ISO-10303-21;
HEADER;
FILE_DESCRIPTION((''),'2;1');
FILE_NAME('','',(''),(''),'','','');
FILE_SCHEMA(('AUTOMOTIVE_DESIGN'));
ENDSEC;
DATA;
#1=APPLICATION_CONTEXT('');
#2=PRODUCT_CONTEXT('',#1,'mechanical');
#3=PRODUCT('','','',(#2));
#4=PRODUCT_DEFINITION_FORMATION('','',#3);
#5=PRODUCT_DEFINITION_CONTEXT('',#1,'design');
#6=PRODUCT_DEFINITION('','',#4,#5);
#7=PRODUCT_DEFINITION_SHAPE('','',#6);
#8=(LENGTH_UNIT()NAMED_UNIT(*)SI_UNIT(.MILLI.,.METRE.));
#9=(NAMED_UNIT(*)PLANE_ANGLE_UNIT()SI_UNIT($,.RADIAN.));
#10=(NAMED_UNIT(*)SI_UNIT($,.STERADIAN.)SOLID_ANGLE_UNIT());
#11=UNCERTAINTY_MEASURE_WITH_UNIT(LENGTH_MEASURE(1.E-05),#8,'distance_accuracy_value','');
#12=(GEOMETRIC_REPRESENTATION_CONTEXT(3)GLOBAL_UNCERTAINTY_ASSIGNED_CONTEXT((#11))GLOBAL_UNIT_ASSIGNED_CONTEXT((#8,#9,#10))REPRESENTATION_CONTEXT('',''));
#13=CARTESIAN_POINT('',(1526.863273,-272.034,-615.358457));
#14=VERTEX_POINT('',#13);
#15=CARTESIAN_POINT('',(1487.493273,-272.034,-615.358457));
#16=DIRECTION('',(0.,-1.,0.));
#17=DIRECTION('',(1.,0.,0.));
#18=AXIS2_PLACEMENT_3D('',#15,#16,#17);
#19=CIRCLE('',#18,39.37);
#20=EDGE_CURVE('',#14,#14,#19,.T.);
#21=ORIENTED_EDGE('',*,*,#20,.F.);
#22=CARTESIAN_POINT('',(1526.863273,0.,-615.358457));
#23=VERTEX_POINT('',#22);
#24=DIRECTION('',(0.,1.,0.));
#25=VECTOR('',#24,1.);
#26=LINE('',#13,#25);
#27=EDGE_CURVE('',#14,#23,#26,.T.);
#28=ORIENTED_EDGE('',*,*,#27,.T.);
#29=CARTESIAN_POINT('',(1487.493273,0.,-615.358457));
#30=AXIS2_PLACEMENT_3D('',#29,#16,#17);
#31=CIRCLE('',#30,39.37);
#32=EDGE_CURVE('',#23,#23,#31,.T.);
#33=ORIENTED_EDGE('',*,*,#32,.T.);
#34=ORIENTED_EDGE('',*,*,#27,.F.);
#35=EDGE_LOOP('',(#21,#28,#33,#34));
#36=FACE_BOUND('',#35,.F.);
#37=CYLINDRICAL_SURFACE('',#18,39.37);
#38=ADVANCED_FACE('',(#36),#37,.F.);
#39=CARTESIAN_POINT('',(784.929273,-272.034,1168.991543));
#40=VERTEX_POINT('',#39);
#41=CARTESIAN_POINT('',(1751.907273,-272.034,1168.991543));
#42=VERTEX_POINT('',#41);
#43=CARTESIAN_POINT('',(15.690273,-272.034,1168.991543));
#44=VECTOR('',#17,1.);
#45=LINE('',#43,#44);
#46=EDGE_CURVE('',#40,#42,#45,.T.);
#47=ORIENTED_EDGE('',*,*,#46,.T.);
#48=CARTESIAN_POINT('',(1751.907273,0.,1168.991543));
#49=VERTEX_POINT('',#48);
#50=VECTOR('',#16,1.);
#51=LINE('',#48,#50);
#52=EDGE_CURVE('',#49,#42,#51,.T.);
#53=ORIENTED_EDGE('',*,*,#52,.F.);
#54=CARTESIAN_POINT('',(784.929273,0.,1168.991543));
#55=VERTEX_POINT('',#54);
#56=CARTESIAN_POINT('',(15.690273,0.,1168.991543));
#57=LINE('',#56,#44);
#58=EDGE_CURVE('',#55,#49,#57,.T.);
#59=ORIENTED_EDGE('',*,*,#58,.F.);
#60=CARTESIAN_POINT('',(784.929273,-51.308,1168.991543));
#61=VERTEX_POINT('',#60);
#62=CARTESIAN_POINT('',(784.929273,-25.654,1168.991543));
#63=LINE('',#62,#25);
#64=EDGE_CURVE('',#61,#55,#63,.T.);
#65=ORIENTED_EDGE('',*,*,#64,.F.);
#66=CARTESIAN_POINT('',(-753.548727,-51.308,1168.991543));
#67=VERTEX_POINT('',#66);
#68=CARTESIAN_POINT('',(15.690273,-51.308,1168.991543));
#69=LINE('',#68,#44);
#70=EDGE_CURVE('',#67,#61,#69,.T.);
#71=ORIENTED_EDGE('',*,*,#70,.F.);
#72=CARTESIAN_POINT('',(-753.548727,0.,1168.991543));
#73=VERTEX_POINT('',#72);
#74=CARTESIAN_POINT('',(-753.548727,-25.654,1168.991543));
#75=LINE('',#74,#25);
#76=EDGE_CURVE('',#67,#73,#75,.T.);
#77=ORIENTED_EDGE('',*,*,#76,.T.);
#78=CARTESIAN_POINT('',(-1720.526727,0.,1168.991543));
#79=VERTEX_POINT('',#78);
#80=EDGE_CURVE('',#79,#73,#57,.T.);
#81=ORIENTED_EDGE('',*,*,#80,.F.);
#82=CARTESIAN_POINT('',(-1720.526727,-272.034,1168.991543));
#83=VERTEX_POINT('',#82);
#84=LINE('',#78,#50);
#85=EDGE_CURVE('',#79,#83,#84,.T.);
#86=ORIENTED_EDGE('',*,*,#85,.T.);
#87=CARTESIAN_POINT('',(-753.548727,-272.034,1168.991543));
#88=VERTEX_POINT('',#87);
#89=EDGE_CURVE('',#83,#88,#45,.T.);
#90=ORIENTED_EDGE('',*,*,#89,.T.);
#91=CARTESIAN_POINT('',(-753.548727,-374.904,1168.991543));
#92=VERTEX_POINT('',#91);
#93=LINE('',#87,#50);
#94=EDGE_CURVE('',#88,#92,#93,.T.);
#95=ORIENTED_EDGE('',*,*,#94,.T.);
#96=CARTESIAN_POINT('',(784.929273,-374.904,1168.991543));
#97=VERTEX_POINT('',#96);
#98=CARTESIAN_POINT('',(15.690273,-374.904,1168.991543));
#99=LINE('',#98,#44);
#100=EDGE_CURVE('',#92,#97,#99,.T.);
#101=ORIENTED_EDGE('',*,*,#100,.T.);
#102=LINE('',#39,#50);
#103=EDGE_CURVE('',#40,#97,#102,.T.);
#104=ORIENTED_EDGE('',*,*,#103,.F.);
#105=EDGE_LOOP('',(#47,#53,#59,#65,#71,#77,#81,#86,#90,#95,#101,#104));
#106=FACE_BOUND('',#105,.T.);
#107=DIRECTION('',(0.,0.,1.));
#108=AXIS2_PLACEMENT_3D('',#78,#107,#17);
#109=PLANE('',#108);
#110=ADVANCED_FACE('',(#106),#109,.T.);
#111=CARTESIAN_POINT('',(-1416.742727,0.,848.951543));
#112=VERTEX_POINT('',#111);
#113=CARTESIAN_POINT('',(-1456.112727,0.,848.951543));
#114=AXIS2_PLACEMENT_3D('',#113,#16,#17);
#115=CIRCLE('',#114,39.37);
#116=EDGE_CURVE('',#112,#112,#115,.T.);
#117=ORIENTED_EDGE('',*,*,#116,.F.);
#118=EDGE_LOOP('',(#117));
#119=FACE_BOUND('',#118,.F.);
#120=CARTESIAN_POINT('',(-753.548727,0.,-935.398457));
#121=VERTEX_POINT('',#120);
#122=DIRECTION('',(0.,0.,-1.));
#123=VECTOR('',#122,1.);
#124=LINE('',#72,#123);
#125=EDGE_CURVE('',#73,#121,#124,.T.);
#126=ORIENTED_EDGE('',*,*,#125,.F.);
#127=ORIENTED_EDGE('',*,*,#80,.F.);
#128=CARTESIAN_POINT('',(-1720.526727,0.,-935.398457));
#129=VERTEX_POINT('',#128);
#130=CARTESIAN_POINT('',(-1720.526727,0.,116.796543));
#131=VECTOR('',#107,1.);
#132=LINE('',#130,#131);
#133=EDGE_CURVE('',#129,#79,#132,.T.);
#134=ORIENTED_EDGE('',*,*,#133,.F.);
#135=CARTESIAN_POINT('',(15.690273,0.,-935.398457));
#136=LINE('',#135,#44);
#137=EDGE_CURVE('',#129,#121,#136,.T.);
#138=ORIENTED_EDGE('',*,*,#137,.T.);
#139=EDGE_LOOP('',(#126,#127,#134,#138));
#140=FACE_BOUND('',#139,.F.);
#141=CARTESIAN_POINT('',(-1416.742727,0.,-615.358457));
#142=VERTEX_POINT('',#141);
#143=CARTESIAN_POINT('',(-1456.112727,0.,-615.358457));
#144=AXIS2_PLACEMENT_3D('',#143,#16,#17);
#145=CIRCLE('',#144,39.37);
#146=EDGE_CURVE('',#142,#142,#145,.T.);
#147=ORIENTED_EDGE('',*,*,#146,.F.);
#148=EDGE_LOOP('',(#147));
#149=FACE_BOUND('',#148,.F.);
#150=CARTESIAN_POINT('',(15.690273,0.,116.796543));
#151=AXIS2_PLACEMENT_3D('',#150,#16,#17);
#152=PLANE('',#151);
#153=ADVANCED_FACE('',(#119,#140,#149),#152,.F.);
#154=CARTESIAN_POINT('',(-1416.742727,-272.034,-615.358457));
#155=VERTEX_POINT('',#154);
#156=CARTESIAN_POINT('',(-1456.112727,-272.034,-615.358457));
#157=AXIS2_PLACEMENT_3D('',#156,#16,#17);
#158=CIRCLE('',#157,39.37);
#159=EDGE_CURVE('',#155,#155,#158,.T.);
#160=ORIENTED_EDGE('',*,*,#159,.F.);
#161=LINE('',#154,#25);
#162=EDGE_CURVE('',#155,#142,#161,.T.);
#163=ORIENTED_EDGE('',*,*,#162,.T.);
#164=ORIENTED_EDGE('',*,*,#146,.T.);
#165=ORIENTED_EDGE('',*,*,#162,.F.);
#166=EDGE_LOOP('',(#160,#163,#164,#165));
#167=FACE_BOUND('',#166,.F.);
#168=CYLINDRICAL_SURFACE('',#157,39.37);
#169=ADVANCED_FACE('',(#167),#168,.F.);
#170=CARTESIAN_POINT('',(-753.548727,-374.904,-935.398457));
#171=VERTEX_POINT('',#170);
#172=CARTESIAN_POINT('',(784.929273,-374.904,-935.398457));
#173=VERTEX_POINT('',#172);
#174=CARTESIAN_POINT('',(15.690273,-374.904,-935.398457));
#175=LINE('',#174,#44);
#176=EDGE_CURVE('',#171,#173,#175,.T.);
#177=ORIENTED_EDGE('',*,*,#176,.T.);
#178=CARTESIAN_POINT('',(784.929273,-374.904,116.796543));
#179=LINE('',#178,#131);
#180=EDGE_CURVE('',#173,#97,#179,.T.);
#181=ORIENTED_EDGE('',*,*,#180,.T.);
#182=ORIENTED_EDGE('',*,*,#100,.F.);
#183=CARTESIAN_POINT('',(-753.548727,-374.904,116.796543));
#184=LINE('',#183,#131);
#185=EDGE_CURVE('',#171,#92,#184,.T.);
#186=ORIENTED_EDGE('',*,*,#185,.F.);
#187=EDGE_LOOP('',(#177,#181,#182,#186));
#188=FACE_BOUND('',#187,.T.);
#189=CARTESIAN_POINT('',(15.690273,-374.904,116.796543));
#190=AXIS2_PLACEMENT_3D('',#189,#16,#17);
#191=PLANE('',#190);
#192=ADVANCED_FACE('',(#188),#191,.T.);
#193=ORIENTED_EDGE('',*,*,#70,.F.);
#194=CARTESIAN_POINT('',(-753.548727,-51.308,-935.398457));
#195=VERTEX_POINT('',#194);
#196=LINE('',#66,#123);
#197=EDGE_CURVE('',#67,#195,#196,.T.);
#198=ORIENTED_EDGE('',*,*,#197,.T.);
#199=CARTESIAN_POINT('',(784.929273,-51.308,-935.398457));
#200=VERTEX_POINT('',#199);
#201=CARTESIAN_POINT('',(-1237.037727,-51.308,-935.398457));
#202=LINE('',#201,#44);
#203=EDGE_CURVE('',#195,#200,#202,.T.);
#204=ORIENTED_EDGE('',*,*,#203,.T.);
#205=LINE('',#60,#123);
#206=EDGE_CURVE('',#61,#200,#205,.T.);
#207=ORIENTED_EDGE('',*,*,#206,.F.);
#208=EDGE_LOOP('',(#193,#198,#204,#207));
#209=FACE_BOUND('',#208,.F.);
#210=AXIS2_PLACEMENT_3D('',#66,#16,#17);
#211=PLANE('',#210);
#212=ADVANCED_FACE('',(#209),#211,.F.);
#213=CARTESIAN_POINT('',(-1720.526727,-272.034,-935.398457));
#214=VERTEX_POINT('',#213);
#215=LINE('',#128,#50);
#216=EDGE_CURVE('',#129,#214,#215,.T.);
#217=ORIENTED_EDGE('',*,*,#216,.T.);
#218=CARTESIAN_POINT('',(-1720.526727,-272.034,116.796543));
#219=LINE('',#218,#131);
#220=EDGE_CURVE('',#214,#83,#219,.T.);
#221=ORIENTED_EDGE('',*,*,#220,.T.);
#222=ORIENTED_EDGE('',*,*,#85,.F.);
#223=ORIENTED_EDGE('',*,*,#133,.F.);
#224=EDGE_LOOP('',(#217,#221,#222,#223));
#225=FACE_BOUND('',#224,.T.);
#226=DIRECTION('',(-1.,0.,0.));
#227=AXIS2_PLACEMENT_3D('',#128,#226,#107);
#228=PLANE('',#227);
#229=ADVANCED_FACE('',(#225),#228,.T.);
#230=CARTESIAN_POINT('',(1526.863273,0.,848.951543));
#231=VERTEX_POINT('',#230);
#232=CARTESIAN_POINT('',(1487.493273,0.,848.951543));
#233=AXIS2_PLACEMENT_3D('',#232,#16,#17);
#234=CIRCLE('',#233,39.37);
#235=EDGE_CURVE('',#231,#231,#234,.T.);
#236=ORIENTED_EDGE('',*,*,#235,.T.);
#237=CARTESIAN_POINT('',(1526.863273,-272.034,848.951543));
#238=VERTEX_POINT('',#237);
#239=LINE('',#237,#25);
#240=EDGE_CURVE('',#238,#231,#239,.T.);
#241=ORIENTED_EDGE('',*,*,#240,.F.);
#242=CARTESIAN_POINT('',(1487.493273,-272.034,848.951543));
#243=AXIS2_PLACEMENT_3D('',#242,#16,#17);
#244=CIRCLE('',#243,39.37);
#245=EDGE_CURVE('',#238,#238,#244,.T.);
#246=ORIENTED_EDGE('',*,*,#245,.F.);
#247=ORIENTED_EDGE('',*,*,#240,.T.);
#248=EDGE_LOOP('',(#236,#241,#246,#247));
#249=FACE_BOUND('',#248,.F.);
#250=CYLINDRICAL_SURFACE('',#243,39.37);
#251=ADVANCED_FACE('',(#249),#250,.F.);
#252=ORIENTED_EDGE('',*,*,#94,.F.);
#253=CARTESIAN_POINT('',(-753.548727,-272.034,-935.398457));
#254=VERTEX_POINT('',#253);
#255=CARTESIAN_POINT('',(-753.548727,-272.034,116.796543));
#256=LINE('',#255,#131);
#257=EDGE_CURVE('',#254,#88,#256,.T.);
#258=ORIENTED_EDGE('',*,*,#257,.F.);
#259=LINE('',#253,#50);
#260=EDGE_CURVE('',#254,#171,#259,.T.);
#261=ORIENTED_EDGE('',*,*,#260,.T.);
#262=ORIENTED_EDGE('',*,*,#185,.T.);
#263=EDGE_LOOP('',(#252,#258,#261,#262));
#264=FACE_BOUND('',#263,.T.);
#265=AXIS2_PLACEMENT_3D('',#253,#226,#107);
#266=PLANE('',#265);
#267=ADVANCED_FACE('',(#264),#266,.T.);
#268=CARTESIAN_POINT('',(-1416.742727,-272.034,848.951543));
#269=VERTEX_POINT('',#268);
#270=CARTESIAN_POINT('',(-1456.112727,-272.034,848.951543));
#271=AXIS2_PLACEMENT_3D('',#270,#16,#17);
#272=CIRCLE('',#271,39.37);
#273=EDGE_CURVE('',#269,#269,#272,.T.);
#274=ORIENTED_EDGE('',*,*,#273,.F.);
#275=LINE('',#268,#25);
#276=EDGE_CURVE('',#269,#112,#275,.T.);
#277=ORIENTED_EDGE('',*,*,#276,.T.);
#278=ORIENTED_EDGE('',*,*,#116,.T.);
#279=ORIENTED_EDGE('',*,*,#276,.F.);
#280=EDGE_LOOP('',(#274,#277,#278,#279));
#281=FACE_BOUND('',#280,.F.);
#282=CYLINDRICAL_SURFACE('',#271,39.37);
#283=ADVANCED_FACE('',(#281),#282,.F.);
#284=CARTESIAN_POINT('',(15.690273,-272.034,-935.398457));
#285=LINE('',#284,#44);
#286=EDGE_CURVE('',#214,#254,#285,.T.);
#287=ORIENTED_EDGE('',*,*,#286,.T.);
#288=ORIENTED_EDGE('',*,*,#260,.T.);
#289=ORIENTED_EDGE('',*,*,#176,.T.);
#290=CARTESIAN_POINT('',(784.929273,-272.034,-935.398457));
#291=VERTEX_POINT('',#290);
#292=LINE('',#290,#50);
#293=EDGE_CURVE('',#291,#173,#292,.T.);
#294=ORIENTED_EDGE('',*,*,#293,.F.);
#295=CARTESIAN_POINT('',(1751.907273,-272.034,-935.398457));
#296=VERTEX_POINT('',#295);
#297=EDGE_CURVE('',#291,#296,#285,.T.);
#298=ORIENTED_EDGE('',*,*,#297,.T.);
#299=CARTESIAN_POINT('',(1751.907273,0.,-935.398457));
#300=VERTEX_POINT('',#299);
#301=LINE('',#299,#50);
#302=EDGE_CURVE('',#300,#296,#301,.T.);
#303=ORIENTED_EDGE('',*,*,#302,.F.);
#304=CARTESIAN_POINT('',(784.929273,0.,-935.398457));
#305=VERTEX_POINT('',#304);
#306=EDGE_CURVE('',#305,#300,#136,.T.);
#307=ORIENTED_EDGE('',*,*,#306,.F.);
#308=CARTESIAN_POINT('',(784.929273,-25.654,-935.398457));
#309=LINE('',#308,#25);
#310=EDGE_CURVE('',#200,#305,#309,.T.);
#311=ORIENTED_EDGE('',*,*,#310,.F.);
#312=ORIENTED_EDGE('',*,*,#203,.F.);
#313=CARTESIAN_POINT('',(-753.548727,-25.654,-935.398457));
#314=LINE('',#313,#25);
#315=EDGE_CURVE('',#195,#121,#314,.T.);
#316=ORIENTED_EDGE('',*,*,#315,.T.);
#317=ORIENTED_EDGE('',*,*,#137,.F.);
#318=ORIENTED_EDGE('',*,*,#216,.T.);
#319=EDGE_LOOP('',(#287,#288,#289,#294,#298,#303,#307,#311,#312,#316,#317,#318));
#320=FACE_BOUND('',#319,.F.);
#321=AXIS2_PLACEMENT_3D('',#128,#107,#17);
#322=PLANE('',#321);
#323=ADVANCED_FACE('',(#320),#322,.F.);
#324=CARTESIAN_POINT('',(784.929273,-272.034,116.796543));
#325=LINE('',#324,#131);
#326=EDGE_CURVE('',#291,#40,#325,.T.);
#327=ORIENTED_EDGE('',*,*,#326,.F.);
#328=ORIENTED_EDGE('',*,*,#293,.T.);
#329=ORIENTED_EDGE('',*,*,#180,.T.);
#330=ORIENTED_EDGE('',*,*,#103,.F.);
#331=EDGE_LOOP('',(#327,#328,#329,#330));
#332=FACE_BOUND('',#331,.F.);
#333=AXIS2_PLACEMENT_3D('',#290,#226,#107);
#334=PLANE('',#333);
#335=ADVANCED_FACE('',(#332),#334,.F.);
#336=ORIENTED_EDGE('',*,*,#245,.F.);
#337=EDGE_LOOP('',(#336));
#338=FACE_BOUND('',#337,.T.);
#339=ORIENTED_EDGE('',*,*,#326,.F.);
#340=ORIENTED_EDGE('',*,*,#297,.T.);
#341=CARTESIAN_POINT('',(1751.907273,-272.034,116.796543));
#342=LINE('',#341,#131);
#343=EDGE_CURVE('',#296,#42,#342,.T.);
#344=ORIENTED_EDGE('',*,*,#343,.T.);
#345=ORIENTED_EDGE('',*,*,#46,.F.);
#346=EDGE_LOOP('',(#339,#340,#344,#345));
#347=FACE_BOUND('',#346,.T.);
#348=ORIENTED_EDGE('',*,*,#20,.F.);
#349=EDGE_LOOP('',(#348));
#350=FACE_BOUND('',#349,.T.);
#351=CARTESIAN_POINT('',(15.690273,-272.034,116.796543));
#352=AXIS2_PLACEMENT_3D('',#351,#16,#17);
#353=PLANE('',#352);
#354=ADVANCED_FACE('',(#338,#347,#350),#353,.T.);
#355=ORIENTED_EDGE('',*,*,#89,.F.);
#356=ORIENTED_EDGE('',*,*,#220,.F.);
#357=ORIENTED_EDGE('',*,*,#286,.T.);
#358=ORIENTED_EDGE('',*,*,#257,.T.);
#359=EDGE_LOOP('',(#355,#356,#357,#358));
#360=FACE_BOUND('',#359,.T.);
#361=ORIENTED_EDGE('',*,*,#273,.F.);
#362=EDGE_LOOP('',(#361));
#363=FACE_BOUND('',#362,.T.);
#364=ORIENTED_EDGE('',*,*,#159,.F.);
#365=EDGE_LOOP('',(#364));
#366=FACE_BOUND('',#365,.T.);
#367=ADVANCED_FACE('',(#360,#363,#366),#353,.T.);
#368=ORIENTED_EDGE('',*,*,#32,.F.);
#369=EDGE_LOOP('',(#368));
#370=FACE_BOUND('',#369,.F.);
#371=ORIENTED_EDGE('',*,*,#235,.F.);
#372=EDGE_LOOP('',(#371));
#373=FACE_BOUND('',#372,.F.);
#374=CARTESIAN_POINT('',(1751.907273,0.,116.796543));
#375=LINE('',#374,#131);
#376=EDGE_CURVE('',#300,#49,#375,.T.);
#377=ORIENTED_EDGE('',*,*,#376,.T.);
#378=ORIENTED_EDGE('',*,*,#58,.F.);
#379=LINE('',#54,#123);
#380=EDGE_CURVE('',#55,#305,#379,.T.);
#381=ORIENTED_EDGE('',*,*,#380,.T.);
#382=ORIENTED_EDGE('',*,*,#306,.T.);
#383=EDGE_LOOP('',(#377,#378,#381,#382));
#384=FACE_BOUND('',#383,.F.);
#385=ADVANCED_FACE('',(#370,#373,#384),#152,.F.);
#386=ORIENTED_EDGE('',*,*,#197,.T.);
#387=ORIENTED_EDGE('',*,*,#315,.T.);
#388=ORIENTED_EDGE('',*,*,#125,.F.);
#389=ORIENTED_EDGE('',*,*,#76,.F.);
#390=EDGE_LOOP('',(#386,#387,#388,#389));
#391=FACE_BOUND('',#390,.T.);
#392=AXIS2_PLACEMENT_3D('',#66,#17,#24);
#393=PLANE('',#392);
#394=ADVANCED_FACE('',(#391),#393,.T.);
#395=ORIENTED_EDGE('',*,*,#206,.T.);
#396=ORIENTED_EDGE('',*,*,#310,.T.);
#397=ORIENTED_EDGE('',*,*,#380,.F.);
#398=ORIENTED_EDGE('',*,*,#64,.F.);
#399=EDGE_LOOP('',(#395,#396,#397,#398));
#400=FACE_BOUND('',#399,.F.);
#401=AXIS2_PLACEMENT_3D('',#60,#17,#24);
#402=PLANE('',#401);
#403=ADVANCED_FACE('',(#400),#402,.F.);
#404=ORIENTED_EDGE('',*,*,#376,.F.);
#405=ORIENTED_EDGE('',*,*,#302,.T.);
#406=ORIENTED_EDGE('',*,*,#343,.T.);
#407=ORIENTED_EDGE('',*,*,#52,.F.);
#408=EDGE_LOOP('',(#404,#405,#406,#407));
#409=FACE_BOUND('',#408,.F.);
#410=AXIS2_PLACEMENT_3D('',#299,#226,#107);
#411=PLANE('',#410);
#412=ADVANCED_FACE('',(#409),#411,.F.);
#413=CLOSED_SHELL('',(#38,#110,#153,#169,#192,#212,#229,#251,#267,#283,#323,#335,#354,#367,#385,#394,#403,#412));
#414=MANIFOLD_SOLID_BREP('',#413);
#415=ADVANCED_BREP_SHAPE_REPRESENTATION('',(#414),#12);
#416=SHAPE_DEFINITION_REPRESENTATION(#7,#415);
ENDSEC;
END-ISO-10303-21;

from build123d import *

# Parameters (mm, degrees)
F0_W     = 3472.434
F0_H     = 2104.39
F1_DEPTH = 272.034
F2_W     = 1538.478
F2_H     = 2104.39
F3_DEPTH = 102.87
F4_W     = 1538.478
F4_H     = 51.308
F5_DEPTH = 2104.391
F6_R     = 39.37
F7_DEPTH = 272.035


with BuildPart() as f1:
    # F0 (on Front) → F1 (new body)
    with BuildSketch(Plane.XZ):
        with Locations((15.690273, 116.796543)):
            Rectangle(F0_W, F0_H)
    extrude(amount=F1_DEPTH)

    # F2 (on face) → F3 (join)
    with BuildSketch(Plane.XZ.offset(272.034)):
        with Locations((15.690273, 116.796543)):
            Rectangle(F2_W, F2_H)
    extrude(amount=F3_DEPTH)

    # F4 (on face) → F5 (cut, through all)
    with BuildSketch(Plane.XY.offset(1168.991543)):
        with Locations((15.690273, -25.654)):
            Rectangle(F4_W, F4_H)
    extrude(amount=-F5_DEPTH, mode=Mode.SUBTRACT)

    # F6 (on face) → F7 (cut, through all)
    with BuildSketch(Plane.XZ.offset(272.034)):
        with Locations((-1456.112727, 848.951543)):
            Circle(F6_R)
        with Locations((-1456.112727, -615.358457)):
            Circle(F6_R)
        with Locations((1487.493273, 848.951543)):
            Circle(F6_R)
        with Locations((1487.493273, -615.358457)):
            Circle(F6_R)
    extrude(amount=-F7_DEPTH, mode=Mode.SUBTRACT)


solid = f1.part
